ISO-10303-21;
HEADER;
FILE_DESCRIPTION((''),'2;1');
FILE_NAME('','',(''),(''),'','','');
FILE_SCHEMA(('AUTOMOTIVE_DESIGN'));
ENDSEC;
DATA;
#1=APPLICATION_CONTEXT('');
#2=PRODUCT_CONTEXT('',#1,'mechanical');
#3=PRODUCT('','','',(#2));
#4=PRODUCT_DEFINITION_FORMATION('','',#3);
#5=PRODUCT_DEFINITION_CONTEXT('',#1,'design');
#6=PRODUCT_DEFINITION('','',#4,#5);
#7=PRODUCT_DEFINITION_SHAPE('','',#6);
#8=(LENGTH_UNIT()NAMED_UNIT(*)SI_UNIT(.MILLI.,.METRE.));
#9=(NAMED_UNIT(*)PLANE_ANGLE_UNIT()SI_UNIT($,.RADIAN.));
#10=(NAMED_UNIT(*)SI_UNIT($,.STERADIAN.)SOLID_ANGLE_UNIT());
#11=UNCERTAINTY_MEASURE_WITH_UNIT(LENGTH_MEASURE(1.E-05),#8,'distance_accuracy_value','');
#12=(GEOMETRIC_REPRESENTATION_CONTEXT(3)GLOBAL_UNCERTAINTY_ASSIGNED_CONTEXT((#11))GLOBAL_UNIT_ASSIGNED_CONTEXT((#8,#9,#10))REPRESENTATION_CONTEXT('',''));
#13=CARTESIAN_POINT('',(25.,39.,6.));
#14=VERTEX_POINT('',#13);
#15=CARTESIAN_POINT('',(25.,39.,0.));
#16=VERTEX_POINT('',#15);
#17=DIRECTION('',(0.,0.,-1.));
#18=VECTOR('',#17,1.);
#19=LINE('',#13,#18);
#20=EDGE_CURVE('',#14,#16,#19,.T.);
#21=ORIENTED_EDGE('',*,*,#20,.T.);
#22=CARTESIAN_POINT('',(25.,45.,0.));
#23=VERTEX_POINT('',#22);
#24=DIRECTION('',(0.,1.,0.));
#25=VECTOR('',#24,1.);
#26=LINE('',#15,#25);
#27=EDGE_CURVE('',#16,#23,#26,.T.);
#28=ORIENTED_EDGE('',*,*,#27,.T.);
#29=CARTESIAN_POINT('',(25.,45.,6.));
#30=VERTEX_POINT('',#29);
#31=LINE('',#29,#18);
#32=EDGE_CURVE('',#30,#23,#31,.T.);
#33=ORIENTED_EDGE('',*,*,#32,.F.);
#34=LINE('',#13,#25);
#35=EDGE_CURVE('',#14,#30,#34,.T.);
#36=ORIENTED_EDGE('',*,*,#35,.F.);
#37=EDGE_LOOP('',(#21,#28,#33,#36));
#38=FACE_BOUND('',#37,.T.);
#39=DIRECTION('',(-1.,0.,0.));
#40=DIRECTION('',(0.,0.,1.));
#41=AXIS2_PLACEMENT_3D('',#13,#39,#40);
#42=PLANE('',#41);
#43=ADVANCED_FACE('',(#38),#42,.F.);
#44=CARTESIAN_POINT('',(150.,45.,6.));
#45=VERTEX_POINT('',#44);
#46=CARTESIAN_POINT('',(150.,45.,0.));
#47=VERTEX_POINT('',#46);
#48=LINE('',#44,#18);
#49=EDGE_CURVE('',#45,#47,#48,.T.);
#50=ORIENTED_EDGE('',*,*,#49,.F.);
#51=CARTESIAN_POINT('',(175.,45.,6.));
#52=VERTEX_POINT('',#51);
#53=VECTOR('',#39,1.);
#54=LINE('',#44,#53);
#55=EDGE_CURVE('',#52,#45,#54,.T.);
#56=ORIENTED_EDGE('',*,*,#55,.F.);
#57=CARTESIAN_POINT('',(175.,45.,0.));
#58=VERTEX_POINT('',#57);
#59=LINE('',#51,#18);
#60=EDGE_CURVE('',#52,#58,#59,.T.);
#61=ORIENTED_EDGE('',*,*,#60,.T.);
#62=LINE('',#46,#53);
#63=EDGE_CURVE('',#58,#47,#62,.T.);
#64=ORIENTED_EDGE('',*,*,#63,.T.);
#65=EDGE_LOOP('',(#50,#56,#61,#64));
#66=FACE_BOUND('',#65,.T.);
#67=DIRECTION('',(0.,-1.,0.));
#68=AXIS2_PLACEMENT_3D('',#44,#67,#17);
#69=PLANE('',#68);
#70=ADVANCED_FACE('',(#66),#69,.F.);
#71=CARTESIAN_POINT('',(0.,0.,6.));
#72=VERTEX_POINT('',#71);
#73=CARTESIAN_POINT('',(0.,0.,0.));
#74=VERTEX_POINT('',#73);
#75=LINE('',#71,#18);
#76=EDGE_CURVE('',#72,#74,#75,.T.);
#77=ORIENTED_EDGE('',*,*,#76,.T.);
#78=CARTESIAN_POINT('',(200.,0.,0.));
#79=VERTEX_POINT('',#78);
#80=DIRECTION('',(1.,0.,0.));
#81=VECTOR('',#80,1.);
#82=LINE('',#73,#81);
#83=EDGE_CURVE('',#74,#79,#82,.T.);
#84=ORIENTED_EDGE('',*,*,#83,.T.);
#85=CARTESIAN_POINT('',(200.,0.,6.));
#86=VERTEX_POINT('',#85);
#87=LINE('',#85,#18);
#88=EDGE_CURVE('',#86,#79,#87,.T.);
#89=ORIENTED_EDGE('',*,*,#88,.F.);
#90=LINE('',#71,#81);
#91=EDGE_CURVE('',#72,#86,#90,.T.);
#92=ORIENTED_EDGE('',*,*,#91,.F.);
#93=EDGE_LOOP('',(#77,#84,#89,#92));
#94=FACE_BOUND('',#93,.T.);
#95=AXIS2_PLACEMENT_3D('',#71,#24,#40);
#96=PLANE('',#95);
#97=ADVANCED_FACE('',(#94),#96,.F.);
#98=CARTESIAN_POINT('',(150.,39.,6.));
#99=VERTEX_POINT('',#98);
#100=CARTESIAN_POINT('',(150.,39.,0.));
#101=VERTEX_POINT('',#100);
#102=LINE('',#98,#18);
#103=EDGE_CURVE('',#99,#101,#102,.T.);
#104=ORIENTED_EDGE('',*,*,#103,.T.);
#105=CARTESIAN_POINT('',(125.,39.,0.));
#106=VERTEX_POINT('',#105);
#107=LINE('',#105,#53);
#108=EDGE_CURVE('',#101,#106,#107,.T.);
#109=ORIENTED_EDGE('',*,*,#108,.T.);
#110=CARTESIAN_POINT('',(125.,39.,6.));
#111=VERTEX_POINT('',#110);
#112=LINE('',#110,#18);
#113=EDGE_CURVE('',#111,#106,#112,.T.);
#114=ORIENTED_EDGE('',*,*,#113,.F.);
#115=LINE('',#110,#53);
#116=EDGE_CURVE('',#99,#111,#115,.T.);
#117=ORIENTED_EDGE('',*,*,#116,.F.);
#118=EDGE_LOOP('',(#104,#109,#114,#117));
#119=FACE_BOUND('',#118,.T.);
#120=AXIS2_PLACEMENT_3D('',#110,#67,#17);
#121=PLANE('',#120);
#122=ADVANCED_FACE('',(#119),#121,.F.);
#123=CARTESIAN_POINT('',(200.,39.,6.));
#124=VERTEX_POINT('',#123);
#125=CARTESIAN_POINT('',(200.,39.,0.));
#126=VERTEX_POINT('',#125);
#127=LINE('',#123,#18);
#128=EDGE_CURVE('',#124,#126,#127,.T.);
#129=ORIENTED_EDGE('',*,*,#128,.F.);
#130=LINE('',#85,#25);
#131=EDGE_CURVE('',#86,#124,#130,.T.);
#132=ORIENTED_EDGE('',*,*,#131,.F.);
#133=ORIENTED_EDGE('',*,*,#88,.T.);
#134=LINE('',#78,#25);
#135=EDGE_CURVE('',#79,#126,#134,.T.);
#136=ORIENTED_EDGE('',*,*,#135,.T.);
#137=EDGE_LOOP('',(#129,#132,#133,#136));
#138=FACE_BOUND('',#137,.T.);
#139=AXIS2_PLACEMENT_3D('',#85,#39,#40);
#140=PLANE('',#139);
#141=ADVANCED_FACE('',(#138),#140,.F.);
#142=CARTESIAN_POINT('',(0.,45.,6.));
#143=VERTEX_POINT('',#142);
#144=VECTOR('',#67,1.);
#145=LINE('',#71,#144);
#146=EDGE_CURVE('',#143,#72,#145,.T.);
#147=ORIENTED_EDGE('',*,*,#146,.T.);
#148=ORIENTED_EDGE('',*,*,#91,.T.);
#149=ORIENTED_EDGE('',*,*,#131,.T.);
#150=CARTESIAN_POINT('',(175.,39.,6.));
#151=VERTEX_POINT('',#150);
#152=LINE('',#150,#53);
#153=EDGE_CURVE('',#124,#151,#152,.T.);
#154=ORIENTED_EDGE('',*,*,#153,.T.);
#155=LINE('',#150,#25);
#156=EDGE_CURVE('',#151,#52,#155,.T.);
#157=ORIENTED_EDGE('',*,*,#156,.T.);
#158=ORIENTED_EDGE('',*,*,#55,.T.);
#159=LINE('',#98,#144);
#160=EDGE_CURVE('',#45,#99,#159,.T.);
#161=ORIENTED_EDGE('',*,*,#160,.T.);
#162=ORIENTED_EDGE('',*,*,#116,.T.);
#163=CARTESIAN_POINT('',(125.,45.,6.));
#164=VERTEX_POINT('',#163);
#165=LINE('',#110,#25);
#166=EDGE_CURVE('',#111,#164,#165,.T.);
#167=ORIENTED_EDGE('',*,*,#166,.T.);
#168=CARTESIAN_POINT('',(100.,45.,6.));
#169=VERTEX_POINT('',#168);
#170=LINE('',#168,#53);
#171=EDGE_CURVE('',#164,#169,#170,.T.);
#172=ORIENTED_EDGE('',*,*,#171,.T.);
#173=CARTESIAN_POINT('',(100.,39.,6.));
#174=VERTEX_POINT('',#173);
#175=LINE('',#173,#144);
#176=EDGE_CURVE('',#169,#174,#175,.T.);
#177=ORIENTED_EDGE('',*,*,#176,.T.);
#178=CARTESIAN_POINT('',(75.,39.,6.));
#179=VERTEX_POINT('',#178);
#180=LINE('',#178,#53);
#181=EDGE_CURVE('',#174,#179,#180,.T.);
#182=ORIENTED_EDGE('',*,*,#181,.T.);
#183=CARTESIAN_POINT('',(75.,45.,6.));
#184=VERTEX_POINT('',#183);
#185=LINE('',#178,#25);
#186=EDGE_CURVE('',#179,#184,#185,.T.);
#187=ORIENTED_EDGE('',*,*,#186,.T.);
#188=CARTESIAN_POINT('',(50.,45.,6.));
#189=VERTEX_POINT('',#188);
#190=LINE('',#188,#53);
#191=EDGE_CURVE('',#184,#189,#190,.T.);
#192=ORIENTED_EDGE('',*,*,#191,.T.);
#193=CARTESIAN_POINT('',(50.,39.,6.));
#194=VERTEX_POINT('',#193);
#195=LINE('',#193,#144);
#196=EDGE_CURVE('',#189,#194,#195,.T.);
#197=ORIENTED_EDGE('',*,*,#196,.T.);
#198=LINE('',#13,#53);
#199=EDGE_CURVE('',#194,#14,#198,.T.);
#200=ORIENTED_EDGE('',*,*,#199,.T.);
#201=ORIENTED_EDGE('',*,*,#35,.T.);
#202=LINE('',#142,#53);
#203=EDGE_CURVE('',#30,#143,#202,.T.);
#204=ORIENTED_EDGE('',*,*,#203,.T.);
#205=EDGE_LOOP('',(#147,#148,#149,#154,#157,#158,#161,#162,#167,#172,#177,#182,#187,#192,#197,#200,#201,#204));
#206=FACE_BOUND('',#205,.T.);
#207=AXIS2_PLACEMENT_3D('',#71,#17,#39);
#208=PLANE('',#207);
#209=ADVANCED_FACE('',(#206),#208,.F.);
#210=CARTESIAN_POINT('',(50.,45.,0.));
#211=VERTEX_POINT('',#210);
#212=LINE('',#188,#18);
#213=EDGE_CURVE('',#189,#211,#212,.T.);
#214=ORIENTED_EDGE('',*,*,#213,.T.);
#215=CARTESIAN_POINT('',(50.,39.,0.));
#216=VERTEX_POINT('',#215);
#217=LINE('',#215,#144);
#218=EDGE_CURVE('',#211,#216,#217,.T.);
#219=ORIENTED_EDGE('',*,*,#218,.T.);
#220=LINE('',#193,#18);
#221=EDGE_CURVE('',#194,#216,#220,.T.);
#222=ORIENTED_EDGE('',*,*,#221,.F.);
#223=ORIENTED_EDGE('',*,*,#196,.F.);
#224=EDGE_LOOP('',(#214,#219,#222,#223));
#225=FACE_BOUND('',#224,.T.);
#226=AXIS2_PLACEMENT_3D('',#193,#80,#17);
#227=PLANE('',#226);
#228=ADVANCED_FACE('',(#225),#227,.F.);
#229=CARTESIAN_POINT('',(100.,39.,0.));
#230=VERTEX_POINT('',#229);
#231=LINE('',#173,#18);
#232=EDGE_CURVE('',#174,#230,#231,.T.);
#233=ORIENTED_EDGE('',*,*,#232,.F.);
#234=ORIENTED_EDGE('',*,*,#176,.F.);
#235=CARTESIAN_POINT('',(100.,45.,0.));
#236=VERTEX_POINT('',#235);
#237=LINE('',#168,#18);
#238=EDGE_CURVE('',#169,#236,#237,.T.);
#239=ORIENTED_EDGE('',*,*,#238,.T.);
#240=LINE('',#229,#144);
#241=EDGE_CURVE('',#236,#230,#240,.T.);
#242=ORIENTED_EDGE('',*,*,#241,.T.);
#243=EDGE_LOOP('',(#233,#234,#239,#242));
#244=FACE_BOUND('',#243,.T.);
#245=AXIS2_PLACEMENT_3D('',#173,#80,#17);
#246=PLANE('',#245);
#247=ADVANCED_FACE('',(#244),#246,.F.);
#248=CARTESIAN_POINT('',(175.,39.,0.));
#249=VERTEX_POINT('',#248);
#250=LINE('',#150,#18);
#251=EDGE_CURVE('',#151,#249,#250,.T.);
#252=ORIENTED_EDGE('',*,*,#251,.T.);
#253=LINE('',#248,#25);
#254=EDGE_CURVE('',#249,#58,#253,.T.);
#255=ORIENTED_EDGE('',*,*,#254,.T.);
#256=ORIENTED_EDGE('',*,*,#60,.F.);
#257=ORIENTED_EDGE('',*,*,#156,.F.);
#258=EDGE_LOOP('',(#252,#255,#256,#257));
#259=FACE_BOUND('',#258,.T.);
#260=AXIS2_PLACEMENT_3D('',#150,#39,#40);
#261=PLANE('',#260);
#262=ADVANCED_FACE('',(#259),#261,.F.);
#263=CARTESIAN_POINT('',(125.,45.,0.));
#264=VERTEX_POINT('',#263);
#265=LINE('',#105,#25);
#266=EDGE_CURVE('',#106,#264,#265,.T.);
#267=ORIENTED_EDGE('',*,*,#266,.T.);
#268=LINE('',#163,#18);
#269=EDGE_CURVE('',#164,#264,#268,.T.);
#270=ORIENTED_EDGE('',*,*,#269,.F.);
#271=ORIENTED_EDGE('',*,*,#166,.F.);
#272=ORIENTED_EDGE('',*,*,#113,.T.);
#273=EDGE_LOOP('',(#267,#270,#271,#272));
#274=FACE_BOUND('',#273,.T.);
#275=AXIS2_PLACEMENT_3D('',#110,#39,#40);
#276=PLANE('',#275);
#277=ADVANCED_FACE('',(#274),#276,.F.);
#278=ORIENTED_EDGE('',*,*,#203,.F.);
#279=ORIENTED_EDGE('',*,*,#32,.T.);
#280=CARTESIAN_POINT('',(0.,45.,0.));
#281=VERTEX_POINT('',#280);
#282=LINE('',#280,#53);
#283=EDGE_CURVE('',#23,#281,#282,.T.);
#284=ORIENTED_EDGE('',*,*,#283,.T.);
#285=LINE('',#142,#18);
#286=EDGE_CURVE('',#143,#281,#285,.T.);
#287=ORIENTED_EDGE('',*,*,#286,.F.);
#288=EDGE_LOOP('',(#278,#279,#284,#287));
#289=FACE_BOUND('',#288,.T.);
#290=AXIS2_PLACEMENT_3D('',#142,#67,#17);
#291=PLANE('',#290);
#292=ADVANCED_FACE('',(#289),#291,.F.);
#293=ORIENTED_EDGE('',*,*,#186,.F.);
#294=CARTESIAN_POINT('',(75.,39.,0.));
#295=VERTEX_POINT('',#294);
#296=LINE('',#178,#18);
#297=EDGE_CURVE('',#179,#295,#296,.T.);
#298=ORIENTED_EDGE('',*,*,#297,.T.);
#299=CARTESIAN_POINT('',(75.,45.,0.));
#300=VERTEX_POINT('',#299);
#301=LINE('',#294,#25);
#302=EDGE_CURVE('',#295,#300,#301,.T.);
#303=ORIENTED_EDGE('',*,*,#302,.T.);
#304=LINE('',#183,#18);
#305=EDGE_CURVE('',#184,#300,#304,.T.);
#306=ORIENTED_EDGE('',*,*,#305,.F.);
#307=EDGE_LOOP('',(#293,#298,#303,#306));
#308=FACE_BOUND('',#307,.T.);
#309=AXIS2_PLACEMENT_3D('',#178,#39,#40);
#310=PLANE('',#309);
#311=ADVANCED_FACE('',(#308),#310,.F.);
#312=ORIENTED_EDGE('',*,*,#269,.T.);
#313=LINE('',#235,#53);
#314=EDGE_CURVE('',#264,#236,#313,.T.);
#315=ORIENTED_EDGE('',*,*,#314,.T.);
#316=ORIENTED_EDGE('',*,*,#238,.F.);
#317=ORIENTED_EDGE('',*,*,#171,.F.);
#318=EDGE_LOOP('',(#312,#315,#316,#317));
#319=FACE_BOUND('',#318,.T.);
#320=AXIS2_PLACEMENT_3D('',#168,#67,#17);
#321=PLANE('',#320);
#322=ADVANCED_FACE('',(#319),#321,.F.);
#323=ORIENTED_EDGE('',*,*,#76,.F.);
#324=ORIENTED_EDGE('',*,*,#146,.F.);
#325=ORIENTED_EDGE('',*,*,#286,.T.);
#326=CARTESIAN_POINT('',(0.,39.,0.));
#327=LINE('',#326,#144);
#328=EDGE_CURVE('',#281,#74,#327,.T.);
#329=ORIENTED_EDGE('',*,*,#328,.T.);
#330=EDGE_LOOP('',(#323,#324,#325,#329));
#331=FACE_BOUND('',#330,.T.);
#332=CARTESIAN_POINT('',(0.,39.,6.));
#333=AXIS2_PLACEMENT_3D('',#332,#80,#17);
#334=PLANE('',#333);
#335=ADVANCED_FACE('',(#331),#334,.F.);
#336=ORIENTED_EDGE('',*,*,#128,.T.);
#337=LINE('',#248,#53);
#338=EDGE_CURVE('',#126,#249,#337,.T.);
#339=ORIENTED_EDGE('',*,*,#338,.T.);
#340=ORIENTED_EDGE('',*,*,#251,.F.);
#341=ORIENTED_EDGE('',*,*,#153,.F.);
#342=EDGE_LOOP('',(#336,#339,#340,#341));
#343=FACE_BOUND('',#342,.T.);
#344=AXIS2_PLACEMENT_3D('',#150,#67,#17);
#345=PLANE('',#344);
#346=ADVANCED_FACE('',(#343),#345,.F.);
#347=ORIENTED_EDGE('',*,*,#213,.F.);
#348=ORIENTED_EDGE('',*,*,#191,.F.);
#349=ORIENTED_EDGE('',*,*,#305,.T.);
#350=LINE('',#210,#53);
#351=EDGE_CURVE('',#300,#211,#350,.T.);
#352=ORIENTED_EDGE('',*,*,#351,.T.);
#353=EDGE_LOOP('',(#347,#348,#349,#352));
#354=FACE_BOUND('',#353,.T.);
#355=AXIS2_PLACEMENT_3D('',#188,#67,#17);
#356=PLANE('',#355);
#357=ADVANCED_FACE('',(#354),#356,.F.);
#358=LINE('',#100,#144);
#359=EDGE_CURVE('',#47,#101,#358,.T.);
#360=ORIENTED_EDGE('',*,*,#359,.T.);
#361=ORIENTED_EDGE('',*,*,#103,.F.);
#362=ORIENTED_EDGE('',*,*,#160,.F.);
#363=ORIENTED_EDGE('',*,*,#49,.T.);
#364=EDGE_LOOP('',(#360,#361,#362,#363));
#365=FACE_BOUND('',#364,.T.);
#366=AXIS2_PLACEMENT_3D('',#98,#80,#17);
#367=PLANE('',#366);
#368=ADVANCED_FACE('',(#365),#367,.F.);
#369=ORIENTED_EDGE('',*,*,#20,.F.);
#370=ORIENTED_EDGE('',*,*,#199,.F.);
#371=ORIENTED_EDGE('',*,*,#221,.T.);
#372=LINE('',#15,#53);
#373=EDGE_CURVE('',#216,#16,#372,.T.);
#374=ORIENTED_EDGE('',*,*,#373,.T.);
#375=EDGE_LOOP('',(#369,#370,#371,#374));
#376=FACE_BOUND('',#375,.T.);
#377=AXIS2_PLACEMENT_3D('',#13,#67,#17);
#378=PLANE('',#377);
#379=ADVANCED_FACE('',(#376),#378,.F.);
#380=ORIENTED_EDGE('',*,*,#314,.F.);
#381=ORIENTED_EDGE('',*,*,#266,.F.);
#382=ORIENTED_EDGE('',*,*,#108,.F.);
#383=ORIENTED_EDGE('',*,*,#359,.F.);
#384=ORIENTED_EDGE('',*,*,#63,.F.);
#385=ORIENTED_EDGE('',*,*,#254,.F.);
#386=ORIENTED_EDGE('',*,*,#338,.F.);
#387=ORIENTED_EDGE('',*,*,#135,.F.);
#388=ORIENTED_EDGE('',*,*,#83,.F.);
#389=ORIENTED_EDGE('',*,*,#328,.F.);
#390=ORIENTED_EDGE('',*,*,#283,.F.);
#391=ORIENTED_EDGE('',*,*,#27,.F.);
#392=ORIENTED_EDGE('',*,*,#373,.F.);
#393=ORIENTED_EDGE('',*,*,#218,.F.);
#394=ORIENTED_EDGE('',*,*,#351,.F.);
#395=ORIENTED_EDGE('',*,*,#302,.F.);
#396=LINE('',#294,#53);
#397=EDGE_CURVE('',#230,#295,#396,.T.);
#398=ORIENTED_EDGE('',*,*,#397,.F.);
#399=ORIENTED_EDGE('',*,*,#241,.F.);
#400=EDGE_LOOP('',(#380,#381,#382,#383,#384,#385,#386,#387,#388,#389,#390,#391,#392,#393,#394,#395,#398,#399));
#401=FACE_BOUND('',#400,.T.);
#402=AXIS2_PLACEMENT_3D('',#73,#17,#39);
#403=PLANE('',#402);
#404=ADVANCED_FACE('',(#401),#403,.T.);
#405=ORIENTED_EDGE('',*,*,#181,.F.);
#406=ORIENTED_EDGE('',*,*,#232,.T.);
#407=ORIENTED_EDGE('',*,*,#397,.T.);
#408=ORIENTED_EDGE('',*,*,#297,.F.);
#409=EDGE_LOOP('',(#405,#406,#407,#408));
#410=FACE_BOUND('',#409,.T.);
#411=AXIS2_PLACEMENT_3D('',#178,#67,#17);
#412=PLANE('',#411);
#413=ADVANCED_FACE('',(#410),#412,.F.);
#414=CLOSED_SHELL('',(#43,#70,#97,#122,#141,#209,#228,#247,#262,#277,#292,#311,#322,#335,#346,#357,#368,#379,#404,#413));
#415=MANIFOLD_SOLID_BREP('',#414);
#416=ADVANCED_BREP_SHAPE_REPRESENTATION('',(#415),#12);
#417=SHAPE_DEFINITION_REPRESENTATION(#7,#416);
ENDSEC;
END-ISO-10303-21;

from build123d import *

# Parameters (mm, degrees)
RESSALTO_EXTRUS_O1_DEPTH = 6


with BuildPart() as part:
    # Esboço1 → Ressalto-extrusão1 (new body)
    with BuildSketch(Plane.XY):
        Polygon((50, 39), (50, 45), (75, 45), (75, 39), (100, 39), (100, 45), (125, 45), (125, 39), (150, 39), (150, 45), (175, 45), (175, 39), (200, 39), (200, 0), (0, 0), (0, 39), (0, 45), (25, 45), (25, 39), align=None)
    extrude(amount=RESSALTO_EXTRUS_O1_DEPTH)


solid = part.part
